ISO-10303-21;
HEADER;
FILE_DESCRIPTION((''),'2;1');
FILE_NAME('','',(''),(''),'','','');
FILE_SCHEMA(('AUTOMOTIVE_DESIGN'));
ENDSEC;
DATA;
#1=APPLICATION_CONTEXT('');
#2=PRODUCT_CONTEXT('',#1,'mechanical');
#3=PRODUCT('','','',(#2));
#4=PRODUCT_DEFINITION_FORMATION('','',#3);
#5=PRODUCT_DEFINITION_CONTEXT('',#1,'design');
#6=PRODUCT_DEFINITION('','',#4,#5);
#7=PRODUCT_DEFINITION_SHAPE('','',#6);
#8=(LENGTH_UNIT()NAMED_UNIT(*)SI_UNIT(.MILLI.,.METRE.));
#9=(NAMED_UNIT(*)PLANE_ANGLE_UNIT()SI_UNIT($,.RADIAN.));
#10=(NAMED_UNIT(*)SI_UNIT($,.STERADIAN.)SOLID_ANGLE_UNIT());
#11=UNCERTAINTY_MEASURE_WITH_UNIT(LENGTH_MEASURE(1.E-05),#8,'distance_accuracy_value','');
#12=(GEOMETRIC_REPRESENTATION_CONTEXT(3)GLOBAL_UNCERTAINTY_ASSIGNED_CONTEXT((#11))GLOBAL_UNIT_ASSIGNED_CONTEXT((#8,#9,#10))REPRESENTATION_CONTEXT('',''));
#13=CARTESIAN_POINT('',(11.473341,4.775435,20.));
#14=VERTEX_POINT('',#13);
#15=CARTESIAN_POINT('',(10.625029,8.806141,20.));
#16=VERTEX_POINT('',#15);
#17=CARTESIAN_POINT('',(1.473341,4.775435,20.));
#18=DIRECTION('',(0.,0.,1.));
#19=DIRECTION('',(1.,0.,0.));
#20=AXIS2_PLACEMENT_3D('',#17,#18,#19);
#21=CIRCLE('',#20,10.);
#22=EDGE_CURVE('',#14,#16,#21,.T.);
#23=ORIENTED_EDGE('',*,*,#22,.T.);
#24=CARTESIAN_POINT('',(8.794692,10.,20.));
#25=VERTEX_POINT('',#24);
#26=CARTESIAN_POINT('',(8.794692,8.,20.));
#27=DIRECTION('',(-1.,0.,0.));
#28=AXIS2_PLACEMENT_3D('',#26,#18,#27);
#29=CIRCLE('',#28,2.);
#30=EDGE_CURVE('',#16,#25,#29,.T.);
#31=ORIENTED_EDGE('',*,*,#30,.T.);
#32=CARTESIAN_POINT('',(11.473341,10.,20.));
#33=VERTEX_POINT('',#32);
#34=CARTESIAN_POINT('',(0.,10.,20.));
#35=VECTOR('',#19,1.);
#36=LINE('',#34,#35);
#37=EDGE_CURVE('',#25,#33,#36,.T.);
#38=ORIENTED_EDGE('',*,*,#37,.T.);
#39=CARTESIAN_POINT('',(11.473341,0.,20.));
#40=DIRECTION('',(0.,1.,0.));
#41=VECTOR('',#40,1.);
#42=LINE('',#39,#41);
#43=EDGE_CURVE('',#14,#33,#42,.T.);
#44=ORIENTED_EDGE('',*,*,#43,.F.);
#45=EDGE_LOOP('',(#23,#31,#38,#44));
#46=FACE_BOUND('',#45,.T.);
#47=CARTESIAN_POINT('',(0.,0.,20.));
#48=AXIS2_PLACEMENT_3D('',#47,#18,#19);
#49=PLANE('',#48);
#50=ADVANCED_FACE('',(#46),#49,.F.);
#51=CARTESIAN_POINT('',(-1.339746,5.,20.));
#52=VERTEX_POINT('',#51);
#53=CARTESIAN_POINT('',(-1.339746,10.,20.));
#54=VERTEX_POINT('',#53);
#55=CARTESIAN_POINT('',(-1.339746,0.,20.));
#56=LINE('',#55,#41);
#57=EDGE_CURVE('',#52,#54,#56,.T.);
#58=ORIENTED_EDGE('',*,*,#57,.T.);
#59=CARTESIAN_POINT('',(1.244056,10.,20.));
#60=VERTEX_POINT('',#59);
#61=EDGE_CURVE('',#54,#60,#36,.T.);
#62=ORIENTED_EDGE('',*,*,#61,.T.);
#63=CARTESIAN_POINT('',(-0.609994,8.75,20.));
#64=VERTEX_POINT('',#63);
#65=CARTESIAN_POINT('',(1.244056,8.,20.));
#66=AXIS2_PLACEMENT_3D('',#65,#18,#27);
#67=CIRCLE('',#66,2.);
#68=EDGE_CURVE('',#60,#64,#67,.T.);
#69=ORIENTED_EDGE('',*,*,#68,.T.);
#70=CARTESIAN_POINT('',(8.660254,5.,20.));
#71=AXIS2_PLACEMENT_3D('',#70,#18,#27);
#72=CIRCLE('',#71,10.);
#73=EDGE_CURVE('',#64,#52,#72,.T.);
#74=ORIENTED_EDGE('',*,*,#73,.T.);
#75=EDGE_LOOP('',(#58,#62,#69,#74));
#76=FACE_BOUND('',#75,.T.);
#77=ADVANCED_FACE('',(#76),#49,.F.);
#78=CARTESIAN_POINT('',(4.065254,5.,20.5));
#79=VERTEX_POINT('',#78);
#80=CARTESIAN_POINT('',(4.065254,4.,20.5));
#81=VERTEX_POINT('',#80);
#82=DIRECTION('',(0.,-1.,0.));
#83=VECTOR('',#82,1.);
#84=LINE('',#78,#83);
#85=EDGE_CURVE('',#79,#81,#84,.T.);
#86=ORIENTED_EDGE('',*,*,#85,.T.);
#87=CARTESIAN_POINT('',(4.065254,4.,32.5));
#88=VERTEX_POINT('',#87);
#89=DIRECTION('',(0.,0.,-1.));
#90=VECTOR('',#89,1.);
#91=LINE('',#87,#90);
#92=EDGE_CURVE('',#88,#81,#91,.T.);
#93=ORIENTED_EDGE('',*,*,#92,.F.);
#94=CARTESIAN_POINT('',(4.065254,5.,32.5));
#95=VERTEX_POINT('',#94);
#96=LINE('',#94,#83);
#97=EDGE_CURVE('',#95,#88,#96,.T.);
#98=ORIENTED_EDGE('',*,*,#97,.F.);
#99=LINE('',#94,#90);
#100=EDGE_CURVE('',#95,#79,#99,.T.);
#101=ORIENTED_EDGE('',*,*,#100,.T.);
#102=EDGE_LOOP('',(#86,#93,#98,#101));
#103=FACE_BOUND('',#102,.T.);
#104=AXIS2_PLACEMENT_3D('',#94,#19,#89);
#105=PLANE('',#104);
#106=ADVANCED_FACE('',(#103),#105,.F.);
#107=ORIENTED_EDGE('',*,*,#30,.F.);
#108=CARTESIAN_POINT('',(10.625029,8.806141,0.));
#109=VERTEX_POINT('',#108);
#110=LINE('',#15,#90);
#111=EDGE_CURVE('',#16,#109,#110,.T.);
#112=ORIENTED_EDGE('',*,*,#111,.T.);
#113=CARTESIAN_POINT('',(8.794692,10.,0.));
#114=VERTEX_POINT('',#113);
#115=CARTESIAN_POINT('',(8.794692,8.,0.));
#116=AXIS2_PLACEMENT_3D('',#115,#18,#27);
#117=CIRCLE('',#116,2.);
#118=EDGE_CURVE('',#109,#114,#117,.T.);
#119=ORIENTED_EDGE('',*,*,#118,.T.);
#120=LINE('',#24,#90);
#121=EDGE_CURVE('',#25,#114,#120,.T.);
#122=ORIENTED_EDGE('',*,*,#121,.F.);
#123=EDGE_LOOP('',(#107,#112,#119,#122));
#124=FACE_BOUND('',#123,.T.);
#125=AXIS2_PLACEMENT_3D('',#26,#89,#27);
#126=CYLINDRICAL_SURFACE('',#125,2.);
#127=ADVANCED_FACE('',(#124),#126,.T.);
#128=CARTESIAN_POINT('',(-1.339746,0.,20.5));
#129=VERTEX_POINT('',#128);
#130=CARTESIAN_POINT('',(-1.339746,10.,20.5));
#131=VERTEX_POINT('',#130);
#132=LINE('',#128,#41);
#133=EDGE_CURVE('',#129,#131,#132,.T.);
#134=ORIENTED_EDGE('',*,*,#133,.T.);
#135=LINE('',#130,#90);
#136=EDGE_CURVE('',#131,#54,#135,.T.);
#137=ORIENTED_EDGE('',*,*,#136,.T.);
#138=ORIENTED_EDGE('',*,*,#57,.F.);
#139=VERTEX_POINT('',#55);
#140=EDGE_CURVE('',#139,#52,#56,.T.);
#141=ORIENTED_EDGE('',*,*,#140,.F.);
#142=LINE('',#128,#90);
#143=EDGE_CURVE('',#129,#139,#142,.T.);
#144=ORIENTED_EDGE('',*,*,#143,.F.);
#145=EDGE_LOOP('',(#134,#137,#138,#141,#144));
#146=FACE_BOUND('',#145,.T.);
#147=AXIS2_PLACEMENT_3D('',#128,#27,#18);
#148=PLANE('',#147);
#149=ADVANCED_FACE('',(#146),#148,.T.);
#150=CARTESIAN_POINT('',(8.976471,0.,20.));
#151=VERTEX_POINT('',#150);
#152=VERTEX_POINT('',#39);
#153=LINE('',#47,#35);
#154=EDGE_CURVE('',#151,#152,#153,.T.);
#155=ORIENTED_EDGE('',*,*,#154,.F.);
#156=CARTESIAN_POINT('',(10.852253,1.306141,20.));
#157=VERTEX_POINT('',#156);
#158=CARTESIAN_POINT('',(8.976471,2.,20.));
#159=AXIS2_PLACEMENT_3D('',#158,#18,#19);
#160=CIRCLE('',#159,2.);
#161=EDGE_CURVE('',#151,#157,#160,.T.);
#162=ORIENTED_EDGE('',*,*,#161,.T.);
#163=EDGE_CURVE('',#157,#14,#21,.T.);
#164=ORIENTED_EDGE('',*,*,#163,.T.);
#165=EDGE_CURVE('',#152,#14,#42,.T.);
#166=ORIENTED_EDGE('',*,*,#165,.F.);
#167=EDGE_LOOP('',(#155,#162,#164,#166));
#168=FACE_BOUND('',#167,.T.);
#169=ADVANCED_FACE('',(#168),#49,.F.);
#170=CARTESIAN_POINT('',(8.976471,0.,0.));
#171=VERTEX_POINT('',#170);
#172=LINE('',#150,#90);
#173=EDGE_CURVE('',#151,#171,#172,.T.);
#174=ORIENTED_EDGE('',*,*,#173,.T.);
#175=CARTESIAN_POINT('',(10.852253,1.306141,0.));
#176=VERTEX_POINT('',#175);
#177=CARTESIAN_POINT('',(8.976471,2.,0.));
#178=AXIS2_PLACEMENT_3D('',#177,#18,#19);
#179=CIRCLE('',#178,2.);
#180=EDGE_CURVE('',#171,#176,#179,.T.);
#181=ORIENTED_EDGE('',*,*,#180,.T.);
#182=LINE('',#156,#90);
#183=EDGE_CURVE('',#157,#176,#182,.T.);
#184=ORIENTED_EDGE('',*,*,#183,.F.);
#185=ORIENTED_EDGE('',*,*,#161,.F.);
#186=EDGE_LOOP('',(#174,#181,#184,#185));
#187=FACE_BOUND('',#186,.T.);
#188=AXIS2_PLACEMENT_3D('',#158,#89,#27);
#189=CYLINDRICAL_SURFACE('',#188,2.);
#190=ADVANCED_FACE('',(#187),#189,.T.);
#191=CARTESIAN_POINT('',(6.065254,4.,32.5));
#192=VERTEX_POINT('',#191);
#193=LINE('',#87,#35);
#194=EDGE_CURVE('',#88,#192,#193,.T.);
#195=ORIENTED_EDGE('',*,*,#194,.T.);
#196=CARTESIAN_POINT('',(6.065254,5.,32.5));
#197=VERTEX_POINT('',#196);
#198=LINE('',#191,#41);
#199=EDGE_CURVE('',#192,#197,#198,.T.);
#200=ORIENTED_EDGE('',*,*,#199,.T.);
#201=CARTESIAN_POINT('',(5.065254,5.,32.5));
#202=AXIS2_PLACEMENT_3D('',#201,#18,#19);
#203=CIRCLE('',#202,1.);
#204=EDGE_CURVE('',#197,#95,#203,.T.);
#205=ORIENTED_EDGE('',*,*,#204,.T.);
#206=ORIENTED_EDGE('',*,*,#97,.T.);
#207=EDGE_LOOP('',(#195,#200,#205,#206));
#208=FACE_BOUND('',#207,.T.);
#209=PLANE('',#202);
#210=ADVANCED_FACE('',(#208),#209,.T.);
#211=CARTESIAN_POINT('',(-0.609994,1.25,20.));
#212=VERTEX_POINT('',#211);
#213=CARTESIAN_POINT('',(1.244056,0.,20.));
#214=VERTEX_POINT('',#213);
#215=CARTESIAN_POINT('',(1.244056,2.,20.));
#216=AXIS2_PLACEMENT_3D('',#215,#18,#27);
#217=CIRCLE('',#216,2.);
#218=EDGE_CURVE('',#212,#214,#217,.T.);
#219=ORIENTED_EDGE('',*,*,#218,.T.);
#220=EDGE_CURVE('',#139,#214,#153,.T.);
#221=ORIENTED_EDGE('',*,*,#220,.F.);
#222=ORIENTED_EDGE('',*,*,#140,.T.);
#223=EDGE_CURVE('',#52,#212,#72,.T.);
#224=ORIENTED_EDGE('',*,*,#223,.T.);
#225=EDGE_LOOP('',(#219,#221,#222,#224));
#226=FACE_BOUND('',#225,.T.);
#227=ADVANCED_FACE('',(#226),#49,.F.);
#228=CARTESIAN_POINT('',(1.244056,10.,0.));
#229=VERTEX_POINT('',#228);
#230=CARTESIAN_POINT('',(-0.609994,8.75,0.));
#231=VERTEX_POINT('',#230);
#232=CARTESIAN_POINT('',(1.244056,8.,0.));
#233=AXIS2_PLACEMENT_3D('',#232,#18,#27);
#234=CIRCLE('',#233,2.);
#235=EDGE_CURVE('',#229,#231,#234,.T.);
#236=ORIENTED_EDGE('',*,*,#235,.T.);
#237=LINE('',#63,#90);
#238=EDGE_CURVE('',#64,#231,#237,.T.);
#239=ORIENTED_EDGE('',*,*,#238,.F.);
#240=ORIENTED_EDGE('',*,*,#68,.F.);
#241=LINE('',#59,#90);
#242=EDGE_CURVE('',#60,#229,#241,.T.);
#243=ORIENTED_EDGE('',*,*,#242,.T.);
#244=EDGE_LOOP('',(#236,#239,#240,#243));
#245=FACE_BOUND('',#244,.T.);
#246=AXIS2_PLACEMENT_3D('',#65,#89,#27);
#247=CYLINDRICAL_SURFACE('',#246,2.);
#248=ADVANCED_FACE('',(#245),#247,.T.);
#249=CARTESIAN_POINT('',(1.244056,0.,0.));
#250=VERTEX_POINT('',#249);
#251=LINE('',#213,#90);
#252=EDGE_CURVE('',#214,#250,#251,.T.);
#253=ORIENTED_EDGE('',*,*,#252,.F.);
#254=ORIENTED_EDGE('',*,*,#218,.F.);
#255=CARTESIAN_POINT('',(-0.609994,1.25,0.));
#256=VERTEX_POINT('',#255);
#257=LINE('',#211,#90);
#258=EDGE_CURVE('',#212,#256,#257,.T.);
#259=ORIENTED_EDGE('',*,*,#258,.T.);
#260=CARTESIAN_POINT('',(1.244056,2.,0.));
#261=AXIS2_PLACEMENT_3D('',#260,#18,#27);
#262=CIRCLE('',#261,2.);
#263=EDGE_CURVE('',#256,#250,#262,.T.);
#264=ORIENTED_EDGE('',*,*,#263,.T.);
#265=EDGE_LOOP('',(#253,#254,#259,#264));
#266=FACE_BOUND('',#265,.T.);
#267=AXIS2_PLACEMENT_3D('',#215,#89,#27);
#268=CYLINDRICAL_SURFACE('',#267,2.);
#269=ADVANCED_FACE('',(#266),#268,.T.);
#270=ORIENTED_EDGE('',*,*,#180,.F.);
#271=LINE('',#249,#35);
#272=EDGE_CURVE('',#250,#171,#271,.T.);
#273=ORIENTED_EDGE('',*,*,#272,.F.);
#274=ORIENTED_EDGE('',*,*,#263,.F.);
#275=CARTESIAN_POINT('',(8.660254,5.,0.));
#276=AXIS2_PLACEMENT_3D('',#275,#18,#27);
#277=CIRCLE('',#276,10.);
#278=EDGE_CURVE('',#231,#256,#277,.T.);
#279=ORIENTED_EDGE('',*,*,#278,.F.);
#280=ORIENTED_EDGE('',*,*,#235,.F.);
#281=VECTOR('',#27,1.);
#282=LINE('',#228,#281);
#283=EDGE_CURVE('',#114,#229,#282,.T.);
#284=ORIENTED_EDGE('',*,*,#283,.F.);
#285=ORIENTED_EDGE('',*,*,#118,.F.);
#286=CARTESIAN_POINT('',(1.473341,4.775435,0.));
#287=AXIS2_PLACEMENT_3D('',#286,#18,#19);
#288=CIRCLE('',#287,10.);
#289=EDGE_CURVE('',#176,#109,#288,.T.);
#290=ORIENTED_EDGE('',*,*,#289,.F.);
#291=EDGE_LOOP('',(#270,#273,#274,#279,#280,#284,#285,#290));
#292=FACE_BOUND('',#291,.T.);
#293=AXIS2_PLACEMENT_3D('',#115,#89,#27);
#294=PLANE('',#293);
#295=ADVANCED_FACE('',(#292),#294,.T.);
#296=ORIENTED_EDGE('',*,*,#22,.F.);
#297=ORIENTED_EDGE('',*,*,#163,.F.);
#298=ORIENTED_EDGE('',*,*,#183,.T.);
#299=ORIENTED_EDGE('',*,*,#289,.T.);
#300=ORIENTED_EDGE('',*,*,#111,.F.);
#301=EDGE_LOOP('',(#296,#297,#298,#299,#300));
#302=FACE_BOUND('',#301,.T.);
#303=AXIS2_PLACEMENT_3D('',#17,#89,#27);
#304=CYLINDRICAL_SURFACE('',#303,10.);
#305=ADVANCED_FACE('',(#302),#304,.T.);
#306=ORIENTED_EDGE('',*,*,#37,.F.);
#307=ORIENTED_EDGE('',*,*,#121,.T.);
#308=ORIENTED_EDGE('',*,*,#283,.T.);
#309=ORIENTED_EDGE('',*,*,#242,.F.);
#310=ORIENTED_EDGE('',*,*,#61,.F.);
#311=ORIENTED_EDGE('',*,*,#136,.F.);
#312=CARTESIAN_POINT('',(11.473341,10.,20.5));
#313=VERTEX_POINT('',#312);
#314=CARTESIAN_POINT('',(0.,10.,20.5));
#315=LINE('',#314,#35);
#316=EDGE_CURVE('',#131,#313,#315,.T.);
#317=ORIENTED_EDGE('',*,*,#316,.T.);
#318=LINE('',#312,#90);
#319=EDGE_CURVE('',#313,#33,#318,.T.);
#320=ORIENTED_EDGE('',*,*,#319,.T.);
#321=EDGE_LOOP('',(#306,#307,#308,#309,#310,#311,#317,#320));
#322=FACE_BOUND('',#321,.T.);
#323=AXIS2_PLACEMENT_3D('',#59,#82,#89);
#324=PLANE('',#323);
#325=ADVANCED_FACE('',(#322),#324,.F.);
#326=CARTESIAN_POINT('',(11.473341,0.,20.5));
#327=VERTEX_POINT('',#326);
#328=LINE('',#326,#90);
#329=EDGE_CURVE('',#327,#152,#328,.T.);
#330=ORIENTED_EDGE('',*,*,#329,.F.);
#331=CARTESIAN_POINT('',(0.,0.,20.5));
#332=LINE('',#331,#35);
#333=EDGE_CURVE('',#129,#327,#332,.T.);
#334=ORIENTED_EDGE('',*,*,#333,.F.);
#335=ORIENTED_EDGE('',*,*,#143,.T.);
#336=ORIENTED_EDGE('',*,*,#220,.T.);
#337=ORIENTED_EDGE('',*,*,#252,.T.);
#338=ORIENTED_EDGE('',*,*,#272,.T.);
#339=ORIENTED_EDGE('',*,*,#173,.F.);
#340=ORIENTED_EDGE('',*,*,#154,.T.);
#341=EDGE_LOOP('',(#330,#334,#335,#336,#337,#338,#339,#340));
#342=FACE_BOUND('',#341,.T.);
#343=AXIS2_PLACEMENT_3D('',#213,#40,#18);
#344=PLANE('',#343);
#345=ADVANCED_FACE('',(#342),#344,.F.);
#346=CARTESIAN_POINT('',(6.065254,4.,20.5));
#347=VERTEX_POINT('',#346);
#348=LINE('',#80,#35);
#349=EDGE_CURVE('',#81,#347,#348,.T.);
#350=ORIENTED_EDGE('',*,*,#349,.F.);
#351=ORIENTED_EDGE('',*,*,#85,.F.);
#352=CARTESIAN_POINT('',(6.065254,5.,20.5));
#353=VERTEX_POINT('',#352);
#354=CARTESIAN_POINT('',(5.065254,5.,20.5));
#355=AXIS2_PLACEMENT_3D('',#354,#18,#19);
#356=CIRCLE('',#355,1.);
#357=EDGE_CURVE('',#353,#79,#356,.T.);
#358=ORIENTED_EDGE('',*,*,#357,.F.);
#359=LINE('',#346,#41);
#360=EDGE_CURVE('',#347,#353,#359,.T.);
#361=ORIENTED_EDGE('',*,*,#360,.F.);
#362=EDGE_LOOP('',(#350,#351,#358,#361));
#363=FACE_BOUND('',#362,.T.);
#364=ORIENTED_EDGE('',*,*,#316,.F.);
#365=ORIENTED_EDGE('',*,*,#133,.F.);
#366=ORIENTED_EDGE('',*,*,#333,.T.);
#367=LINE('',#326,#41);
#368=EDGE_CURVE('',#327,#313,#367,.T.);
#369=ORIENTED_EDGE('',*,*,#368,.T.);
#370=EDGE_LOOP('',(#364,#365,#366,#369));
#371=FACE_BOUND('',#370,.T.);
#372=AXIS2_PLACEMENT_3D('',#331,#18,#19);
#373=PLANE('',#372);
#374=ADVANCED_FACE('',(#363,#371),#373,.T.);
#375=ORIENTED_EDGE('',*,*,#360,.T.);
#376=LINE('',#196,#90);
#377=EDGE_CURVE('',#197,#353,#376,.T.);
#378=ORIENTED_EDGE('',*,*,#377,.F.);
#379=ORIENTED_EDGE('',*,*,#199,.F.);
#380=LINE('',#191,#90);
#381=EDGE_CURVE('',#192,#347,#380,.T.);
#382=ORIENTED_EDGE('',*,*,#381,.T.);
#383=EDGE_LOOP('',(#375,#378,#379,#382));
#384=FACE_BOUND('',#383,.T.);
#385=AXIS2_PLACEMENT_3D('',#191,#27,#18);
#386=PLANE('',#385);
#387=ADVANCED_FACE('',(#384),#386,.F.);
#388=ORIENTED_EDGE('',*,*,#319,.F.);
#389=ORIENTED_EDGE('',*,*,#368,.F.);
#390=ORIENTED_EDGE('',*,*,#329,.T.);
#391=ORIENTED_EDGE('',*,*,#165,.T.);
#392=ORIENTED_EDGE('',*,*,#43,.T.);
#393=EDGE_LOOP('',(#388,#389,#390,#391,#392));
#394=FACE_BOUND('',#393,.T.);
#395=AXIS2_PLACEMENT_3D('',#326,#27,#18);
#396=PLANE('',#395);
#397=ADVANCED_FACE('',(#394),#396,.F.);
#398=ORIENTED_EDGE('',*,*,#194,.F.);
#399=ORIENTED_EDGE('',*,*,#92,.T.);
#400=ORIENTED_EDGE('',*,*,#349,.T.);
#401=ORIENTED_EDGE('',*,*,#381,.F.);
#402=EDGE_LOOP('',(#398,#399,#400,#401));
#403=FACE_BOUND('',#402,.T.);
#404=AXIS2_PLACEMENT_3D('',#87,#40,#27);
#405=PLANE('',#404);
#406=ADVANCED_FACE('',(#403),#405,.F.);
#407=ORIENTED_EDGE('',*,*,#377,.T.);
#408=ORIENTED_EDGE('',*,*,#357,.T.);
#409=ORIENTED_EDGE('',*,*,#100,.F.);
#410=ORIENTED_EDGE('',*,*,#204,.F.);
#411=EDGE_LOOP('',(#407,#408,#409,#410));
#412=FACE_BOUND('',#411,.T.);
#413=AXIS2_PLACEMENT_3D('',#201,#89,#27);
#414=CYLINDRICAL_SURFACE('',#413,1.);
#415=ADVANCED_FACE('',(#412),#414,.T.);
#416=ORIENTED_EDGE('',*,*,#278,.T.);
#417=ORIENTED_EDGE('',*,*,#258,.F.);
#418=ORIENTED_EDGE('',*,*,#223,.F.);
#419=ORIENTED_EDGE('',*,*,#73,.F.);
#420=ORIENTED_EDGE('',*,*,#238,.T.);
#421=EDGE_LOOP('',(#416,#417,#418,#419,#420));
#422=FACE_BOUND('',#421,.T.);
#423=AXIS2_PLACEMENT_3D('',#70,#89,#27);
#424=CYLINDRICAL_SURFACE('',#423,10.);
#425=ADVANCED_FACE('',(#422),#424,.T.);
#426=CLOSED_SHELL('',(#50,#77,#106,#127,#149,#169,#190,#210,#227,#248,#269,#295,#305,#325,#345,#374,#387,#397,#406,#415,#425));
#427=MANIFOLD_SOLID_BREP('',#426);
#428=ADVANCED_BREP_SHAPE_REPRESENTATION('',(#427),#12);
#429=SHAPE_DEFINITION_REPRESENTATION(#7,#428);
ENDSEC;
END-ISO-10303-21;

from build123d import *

# Parameters (mm, degrees)
BOSS_EXTRUDE1_DEPTH = 20
BOSS_EXTRUDE2_DEPTH = 0.5
BOSS_EXTRUDE3_DEPTH = 12


with BuildPart() as part:
    # Sketch1 → Boss-Extrude1 (new body)
    with BuildSketch(Plane.XY):
        with BuildLine():
            Line((1.244055551, 0), (8.976470711, 0))
            ThreePointArc((8.976470711, 0), (10.119336086, 0.358702119), (10.85225323, 1.306141266))
            ThreePointArc((10.85225323, 1.306141266), (11.468754399, 5.078261149), (10.62502936, 8.806141266))
            ThreePointArc((10.62502936, 8.806141266), (9.887330043, 9.675154102), (8.794691615, 10))
            Line((8.794691615, 10), (1.244055551, 10))
            ThreePointArc((1.244055551, 10), (0.126021562, 9.658312395), (-0.609994071, 8.75))
            ThreePointArc((-0.609994071, 8.75), (-1.339745962, 5), (-0.609994071, 1.25))
            ThreePointArc((-0.609994071, 1.25), (0.126021562, 0.341687605), (1.244055551, 0))
        make_face()
    extrude(amount=BOSS_EXTRUDE1_DEPTH)

    # Sketch3 → Boss-Extrude2 (add)
    with BuildSketch(Plane.XY.offset(20)):
        Polygon((-1.339745962, 5), (-1.339745962, 0), (11.473340637, 0), (11.473340637, 4.775434937), (11.473340637, 10), (-1.339745962, 10), align=None)
    extrude(amount=BOSS_EXTRUDE2_DEPTH)

    # Sketch4 → Boss-Extrude3 (add)
    with BuildSketch(Plane.XY.offset(20.5)):
        with BuildLine():
            Line((4.065254038, 4), (6.065254038, 4))
            Line((6.065254038, 4), (6.065254038, 5))
            ThreePointArc((6.065254038, 5), (5.065254038, 6), (4.065254038, 5))
            Line((4.065254038, 5), (4.065254038, 4))
        make_face()
    extrude(amount=BOSS_EXTRUDE3_DEPTH)


solid = part.part
